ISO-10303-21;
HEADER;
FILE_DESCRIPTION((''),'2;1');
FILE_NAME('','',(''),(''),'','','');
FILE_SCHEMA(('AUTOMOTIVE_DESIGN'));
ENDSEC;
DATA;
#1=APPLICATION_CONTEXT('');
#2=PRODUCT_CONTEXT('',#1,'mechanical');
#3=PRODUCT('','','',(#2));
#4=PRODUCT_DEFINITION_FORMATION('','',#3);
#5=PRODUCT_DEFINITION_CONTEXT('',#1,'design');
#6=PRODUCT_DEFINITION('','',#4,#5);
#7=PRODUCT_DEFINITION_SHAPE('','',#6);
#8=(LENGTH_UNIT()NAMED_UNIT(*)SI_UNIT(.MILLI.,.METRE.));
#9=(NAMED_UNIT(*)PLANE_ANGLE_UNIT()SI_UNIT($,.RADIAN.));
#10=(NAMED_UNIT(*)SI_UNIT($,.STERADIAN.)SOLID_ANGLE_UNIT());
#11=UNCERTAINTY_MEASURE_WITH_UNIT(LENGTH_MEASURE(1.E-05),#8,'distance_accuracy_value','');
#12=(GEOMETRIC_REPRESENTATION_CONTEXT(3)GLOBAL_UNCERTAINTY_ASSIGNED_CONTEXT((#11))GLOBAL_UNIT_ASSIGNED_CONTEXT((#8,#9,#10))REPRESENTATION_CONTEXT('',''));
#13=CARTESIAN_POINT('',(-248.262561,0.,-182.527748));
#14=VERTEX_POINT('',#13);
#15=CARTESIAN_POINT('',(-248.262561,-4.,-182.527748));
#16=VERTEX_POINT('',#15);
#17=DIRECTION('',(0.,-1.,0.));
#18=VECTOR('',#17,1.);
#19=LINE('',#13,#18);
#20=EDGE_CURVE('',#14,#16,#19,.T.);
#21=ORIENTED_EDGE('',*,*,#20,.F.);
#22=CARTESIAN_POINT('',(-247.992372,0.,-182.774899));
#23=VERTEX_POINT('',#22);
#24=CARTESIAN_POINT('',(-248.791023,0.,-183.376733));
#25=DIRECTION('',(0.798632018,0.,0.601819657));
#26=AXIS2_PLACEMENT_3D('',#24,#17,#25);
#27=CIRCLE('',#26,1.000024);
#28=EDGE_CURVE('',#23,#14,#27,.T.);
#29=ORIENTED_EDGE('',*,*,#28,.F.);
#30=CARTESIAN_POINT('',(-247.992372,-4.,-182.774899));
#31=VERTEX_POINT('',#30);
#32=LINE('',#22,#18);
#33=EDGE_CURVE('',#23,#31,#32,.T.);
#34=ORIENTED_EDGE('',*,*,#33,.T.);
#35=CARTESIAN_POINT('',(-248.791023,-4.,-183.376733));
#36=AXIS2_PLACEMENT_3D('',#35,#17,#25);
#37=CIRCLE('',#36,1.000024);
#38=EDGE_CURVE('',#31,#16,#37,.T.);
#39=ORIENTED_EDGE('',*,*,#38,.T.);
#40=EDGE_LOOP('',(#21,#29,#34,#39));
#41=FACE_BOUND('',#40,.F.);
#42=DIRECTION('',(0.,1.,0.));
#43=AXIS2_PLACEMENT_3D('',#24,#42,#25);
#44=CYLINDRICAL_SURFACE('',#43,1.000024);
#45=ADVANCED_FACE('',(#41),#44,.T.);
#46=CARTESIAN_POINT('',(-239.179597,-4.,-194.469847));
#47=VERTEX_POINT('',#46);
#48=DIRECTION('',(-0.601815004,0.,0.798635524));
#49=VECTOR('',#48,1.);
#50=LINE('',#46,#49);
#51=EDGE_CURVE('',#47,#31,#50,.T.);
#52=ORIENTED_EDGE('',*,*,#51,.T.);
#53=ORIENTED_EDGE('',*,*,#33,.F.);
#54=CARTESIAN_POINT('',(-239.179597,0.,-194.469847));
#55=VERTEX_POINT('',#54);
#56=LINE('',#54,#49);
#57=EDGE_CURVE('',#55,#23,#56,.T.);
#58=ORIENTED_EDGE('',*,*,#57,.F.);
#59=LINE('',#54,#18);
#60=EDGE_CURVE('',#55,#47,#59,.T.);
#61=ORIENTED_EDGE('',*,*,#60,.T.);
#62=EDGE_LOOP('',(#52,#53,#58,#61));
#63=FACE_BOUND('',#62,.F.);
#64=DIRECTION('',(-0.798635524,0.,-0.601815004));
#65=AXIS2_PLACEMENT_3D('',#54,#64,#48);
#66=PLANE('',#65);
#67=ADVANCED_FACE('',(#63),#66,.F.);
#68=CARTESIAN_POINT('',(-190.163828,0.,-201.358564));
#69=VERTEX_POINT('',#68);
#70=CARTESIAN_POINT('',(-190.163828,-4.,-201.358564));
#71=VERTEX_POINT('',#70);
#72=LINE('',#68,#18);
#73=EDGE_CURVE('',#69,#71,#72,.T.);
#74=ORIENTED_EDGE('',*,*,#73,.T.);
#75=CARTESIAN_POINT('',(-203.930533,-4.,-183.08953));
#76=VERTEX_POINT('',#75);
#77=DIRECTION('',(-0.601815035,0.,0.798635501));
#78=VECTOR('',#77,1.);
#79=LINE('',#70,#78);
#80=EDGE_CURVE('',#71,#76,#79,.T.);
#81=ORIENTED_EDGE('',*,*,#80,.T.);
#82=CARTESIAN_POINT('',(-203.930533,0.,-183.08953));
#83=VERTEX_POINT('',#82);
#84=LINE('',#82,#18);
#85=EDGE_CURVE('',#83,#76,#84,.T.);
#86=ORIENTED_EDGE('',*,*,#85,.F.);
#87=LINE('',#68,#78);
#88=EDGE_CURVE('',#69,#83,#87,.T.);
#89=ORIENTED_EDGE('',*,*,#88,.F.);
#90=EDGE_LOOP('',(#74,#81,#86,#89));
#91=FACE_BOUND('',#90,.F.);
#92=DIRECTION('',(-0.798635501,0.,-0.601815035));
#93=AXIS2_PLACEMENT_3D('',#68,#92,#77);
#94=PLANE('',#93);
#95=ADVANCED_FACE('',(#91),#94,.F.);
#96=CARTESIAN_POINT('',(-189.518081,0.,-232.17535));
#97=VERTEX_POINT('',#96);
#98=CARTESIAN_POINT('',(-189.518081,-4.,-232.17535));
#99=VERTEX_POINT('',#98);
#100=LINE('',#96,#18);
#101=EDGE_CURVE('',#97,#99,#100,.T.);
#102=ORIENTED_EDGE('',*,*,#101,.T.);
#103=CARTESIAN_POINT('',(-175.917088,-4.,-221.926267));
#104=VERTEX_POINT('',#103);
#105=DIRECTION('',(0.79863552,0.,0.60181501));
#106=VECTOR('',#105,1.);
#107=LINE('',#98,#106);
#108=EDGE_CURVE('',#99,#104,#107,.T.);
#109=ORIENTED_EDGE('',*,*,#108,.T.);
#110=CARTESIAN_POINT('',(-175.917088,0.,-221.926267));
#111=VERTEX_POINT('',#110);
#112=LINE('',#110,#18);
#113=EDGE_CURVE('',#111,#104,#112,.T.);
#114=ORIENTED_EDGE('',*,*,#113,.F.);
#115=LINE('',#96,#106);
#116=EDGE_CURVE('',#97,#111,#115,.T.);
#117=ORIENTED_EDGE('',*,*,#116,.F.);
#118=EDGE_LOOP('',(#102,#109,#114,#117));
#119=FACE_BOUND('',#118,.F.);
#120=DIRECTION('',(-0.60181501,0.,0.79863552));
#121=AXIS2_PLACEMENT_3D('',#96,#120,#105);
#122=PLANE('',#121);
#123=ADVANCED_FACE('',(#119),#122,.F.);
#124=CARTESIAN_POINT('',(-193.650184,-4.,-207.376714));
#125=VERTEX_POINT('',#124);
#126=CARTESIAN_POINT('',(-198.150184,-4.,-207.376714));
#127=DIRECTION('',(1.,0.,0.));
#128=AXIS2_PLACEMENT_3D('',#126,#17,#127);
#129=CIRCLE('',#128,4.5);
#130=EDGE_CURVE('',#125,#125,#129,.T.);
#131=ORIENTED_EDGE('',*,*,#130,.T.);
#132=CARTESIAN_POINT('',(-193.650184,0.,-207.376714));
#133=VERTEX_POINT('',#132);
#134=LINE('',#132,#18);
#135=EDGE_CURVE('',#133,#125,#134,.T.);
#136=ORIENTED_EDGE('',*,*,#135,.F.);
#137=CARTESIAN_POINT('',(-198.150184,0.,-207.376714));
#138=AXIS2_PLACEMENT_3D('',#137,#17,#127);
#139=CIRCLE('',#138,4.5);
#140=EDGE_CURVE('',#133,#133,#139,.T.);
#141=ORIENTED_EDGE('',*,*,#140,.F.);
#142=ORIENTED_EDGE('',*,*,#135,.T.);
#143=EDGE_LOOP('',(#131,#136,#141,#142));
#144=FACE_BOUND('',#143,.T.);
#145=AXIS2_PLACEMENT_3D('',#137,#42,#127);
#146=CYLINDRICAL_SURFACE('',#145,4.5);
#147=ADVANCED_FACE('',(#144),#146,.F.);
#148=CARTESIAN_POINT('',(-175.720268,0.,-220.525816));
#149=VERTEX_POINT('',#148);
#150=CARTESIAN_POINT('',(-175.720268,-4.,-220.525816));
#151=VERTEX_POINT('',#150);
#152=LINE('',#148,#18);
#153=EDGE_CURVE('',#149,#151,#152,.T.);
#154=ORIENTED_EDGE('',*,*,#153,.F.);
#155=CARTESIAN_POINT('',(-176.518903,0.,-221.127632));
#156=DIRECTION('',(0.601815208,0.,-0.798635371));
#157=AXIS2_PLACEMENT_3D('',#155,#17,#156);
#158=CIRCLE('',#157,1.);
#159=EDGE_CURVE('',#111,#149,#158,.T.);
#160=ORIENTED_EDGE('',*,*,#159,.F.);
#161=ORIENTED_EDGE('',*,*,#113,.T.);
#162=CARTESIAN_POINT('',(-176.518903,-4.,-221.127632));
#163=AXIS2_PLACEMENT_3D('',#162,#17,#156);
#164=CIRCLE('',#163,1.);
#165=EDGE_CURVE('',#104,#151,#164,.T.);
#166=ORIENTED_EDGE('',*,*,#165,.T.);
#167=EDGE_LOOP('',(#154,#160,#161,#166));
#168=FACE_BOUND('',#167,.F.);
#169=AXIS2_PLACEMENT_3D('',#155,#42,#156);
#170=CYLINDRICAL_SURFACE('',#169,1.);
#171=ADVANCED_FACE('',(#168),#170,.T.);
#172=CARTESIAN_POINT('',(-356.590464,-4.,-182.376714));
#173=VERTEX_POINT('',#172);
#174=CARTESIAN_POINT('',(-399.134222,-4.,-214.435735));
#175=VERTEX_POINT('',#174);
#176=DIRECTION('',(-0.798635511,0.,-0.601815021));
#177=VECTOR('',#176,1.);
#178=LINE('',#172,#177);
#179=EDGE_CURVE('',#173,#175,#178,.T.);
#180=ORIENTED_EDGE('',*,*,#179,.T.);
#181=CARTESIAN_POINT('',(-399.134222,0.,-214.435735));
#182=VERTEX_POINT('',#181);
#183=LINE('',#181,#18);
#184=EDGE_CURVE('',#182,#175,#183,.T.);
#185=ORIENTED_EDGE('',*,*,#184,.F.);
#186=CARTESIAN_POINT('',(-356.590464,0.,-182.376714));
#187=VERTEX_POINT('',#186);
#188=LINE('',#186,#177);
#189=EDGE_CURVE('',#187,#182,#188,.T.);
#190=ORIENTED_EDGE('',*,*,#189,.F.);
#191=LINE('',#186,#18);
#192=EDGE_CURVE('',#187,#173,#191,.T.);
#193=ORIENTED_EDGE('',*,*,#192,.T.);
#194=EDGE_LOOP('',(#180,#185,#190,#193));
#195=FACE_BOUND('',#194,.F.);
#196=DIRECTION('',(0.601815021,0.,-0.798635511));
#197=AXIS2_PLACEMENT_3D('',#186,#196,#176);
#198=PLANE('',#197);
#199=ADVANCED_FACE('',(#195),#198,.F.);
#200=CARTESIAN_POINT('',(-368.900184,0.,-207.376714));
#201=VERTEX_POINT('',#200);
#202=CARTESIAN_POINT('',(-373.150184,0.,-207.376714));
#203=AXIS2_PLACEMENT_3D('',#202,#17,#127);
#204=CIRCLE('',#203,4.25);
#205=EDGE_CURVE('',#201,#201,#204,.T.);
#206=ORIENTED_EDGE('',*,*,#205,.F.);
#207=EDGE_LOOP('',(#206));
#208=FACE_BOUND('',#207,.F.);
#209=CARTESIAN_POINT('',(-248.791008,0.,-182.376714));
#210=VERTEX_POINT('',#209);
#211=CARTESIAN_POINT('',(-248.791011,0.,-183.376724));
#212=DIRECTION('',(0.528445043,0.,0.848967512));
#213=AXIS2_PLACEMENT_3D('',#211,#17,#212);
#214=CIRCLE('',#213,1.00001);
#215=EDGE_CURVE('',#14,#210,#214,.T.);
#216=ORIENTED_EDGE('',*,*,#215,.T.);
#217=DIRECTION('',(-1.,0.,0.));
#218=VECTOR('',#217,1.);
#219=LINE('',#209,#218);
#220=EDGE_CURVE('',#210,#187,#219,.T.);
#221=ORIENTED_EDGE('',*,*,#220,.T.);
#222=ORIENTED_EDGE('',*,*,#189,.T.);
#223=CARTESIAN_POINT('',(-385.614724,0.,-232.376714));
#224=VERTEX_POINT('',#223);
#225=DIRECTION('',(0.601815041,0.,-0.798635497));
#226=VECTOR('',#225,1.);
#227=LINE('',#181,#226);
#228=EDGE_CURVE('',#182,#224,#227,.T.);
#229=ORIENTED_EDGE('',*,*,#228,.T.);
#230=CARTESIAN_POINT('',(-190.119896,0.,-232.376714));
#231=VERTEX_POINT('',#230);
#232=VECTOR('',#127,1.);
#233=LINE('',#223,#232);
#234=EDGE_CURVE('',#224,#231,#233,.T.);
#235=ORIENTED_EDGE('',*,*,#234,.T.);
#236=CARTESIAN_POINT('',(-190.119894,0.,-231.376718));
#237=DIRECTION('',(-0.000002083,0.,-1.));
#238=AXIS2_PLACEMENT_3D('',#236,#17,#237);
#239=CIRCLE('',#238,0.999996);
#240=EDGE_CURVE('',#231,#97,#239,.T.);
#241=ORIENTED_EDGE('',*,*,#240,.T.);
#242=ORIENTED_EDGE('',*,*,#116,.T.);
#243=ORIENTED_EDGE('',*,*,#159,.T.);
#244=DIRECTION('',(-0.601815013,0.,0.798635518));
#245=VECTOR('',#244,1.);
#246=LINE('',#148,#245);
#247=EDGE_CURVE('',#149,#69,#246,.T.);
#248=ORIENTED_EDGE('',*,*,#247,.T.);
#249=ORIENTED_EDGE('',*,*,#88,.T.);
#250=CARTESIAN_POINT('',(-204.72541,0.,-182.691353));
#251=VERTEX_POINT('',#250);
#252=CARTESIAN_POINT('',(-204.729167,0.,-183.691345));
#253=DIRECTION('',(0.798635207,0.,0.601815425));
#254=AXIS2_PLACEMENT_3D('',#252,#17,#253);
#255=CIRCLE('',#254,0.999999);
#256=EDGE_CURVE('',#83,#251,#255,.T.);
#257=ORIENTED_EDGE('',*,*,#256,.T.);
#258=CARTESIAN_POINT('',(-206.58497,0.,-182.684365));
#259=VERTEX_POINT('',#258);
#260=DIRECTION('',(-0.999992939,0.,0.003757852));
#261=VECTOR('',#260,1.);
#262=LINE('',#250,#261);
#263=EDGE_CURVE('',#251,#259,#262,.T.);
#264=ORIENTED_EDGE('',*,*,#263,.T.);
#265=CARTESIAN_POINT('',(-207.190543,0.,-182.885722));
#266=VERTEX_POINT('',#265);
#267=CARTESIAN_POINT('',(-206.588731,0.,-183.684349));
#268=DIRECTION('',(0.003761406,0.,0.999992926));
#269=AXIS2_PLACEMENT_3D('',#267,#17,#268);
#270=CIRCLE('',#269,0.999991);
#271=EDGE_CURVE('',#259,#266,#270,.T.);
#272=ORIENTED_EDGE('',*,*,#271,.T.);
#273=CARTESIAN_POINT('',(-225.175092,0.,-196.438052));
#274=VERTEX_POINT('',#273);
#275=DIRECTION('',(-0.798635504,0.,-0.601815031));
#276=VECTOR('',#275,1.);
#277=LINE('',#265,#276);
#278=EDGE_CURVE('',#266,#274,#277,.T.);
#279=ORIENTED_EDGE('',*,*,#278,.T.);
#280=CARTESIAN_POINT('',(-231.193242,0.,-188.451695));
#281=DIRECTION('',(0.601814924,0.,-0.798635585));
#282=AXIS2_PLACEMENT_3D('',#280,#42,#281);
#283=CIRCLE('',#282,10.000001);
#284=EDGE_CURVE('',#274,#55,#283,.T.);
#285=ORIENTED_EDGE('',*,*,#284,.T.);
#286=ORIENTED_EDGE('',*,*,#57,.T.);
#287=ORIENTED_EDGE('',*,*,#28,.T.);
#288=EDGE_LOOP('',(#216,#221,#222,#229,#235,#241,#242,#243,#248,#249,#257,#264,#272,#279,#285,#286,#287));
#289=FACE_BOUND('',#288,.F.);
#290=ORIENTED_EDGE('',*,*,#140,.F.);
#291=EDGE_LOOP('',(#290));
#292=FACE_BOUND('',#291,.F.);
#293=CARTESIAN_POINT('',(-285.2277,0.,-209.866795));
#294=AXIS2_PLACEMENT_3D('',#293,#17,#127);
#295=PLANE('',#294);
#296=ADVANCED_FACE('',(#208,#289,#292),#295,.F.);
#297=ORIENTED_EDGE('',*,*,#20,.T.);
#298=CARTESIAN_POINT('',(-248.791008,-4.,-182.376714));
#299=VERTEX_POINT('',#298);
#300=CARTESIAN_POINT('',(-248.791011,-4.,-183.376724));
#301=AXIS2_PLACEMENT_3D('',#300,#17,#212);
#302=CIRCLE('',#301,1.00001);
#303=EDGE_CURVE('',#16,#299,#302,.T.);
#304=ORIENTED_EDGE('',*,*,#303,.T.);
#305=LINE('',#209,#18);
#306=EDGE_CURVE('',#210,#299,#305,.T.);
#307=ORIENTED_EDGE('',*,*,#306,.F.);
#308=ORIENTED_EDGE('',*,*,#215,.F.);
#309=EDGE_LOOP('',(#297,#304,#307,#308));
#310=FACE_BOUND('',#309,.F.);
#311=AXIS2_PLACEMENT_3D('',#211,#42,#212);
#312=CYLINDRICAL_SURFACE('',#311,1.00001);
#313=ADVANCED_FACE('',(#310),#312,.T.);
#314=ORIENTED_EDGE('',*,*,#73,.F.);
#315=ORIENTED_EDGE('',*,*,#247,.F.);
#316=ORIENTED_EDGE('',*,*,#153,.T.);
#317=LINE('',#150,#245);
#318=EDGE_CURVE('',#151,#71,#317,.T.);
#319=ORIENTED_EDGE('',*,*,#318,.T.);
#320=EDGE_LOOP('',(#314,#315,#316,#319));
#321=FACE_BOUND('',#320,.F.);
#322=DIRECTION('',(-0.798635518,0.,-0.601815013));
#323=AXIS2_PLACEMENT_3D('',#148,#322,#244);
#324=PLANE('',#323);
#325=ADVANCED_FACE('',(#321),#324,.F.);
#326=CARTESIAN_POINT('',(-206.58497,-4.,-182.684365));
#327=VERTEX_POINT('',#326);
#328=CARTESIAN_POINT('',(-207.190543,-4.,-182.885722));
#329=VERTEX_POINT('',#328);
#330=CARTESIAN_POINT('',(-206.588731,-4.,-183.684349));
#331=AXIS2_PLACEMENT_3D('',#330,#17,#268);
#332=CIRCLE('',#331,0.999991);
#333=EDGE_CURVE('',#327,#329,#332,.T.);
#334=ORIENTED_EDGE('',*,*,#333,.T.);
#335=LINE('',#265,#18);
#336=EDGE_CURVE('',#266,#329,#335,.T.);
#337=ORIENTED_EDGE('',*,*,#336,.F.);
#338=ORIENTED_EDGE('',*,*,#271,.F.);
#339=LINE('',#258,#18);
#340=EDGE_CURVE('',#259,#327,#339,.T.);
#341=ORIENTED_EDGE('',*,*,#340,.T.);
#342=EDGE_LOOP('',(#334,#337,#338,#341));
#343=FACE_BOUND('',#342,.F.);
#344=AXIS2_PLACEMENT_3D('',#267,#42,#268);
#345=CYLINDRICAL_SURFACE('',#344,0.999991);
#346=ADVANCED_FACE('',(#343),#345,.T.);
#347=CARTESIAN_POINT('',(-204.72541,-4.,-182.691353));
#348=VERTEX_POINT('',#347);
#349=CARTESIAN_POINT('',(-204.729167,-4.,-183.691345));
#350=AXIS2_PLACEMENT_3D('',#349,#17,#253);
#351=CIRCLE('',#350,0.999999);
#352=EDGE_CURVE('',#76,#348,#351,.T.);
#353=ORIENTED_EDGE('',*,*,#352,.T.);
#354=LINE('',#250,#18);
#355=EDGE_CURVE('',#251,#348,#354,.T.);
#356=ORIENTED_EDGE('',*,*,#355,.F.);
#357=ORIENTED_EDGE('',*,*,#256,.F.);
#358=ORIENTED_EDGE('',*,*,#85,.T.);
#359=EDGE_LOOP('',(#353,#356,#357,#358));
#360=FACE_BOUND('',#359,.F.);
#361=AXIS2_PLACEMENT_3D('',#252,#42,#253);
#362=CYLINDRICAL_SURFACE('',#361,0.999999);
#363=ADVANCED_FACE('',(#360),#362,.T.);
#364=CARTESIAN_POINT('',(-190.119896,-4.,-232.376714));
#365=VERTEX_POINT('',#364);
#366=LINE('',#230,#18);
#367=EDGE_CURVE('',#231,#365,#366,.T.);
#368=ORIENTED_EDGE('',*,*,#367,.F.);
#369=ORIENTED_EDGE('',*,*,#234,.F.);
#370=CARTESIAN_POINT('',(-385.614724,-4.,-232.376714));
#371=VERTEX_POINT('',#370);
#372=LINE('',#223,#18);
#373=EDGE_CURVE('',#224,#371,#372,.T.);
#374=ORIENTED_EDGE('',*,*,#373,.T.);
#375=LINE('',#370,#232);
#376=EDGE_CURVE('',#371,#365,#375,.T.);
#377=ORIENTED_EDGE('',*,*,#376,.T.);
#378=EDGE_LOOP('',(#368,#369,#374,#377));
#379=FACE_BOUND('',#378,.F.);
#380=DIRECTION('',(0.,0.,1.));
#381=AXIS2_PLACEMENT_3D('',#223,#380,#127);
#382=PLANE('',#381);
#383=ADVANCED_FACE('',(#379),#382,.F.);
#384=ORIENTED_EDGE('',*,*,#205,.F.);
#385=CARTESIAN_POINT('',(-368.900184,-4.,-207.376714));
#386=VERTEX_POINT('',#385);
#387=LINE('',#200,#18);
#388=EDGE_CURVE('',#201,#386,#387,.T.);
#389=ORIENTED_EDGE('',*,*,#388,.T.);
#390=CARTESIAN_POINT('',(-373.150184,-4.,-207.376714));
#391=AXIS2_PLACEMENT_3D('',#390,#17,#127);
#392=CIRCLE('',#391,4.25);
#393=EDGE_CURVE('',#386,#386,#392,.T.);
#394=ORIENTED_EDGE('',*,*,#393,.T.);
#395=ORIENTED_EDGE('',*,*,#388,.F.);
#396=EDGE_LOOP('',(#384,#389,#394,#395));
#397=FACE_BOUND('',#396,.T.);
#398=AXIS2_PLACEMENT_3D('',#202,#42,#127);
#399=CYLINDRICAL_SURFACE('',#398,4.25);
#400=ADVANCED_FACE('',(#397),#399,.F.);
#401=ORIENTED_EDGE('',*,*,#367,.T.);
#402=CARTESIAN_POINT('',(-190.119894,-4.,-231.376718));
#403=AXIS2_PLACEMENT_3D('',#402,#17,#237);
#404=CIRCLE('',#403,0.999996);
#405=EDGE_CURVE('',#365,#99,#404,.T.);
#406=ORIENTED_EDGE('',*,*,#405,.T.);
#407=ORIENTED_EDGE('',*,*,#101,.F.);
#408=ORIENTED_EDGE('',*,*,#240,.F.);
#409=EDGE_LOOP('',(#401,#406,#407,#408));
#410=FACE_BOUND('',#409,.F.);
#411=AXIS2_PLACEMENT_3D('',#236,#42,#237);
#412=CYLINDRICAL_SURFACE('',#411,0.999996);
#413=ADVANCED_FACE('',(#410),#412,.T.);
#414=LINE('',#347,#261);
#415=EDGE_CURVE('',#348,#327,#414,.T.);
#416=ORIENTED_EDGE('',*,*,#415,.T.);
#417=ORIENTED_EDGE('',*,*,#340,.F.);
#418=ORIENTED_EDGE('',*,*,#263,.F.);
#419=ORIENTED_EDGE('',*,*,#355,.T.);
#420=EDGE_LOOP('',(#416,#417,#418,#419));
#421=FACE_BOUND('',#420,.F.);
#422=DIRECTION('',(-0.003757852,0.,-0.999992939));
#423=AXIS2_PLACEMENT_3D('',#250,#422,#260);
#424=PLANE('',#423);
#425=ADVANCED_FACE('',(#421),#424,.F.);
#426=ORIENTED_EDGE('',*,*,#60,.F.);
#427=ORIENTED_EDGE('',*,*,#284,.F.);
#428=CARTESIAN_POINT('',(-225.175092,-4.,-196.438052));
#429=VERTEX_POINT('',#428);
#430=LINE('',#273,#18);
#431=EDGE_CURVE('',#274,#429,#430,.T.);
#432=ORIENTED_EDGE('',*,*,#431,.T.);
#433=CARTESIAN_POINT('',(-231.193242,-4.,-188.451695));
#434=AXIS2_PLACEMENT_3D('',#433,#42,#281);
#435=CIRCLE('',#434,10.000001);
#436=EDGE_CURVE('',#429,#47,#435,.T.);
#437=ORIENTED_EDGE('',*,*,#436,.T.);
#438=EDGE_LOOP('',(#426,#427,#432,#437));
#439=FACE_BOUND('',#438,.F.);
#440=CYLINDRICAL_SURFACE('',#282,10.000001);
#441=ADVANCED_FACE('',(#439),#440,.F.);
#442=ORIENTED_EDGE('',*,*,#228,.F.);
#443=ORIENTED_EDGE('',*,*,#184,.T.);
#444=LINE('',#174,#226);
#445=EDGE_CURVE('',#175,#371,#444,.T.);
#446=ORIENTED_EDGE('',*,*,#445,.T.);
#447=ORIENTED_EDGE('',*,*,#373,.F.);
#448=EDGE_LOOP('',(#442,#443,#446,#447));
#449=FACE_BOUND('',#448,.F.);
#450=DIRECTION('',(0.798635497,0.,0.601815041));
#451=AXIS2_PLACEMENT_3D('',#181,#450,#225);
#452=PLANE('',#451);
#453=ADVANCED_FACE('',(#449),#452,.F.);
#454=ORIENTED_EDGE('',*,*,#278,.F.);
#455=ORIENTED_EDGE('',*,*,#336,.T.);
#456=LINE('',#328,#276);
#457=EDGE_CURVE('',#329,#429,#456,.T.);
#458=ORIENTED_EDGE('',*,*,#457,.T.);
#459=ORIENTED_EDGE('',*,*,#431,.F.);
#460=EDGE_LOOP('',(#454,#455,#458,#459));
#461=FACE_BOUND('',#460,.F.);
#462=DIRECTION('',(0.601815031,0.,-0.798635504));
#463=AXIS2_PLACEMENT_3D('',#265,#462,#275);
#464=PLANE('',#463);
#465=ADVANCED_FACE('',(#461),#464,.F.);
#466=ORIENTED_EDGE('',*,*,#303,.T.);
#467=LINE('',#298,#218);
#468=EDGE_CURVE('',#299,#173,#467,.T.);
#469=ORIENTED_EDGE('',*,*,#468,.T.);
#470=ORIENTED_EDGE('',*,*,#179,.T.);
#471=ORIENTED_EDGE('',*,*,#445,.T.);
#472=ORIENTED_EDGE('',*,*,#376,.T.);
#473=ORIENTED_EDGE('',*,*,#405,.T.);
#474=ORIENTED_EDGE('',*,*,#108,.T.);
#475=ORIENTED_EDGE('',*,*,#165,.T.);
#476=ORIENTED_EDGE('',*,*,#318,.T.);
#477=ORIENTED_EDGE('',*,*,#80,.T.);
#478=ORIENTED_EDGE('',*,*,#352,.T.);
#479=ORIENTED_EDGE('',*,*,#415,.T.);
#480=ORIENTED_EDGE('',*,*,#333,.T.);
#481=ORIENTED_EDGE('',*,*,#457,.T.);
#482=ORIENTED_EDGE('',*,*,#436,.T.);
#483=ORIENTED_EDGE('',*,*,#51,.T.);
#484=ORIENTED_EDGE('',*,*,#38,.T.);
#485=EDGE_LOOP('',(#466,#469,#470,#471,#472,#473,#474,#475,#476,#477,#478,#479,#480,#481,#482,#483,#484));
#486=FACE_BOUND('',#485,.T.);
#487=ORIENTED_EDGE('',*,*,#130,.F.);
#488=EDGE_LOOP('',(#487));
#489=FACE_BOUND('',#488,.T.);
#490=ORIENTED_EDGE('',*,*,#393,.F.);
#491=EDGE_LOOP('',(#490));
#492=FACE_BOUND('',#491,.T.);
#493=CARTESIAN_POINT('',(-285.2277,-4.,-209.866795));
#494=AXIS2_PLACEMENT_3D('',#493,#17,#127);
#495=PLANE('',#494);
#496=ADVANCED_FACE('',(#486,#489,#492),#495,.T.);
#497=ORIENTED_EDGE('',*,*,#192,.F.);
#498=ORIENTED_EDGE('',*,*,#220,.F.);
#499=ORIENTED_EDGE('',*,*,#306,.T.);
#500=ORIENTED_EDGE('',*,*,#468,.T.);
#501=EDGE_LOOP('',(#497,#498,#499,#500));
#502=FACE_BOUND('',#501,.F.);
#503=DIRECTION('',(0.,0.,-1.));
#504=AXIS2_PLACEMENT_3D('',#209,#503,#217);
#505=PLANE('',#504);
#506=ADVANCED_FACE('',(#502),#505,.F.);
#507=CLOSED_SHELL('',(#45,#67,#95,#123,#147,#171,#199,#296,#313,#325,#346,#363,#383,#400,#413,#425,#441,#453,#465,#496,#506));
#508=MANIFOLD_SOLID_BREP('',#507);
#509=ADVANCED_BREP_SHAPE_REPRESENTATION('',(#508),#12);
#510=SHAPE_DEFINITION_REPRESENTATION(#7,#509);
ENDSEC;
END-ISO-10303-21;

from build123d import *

# Parameters (mm, degrees)
F0_R     = 4.25
F0_R_2   = 4.5
F1_DEPTH = 4


with BuildPart() as f1:
    # F0 (on Front) → F1 (new body)
    with BuildSketch(Plane.XZ):
        with BuildLine():
            Line((-175.720268, -220.525816), (-190.163828, -201.358564))
            Line((-190.163828, -201.358564), (-203.930533, -183.08953))
            ThreePointArc((-203.930533, -183.08953), (-204.28129, -182.797251), (-204.72541, -182.691353))
            Line((-204.72541, -182.691353), (-206.58497, -182.684365))
            ThreePointArc((-206.58497, -182.684365), (-206.90425, -182.735439), (-207.190543, -182.885722))
            Line((-207.190543, -182.885722), (-225.175092, -196.438052))
            ThreePointArc((-225.175092, -196.438052), (-232.584973, -198.354377), (-239.179597, -194.469847))
            Line((-239.179597, -194.469847), (-247.992372, -182.774899))
            ThreePointArc((-247.992372, -182.774899), (-248.116058, -182.638851), (-248.262561, -182.527748))
            Line((-248.262561, -182.527748), (-288.454294, -182.376714))
            Line((-288.454294, -182.376714), (-356.590464, -182.376714))
            Line((-356.590464, -182.376714), (-399.134222, -214.435735))
            Line((-399.134222, -214.435735), (-385.614724, -232.376714))
            Line((-385.614724, -232.376714), (-190.119896, -232.376714))
            ThreePointArc((-190.119896, -232.376714), (-189.802591, -232.325038), (-189.518081, -232.17535))
            Line((-189.518081, -232.17535), (-175.917088, -221.926267))
            ThreePointArc((-175.917088, -221.926267), (-175.528635, -221.266804), (-175.720268, -220.525816))
        make_face()
        with Locations((-373.150184, -207.376714)):
            Circle(F0_R, mode=Mode.SUBTRACT)
        with Locations((-198.150184, -207.376714)):
            Circle(F0_R_2, mode=Mode.SUBTRACT)
        with BuildLine():
            Line((-288.454294, -182.376714), (-248.262561, -182.527748))
            ThreePointArc((-248.262561, -182.527748), (-248.516205, -182.415214), (-248.791008, -182.376714))
            Line((-248.791008, -182.376714), (-288.454294, -182.376714))
        make_face()
    extrude(amount=F1_DEPTH)


solid = f1.part
